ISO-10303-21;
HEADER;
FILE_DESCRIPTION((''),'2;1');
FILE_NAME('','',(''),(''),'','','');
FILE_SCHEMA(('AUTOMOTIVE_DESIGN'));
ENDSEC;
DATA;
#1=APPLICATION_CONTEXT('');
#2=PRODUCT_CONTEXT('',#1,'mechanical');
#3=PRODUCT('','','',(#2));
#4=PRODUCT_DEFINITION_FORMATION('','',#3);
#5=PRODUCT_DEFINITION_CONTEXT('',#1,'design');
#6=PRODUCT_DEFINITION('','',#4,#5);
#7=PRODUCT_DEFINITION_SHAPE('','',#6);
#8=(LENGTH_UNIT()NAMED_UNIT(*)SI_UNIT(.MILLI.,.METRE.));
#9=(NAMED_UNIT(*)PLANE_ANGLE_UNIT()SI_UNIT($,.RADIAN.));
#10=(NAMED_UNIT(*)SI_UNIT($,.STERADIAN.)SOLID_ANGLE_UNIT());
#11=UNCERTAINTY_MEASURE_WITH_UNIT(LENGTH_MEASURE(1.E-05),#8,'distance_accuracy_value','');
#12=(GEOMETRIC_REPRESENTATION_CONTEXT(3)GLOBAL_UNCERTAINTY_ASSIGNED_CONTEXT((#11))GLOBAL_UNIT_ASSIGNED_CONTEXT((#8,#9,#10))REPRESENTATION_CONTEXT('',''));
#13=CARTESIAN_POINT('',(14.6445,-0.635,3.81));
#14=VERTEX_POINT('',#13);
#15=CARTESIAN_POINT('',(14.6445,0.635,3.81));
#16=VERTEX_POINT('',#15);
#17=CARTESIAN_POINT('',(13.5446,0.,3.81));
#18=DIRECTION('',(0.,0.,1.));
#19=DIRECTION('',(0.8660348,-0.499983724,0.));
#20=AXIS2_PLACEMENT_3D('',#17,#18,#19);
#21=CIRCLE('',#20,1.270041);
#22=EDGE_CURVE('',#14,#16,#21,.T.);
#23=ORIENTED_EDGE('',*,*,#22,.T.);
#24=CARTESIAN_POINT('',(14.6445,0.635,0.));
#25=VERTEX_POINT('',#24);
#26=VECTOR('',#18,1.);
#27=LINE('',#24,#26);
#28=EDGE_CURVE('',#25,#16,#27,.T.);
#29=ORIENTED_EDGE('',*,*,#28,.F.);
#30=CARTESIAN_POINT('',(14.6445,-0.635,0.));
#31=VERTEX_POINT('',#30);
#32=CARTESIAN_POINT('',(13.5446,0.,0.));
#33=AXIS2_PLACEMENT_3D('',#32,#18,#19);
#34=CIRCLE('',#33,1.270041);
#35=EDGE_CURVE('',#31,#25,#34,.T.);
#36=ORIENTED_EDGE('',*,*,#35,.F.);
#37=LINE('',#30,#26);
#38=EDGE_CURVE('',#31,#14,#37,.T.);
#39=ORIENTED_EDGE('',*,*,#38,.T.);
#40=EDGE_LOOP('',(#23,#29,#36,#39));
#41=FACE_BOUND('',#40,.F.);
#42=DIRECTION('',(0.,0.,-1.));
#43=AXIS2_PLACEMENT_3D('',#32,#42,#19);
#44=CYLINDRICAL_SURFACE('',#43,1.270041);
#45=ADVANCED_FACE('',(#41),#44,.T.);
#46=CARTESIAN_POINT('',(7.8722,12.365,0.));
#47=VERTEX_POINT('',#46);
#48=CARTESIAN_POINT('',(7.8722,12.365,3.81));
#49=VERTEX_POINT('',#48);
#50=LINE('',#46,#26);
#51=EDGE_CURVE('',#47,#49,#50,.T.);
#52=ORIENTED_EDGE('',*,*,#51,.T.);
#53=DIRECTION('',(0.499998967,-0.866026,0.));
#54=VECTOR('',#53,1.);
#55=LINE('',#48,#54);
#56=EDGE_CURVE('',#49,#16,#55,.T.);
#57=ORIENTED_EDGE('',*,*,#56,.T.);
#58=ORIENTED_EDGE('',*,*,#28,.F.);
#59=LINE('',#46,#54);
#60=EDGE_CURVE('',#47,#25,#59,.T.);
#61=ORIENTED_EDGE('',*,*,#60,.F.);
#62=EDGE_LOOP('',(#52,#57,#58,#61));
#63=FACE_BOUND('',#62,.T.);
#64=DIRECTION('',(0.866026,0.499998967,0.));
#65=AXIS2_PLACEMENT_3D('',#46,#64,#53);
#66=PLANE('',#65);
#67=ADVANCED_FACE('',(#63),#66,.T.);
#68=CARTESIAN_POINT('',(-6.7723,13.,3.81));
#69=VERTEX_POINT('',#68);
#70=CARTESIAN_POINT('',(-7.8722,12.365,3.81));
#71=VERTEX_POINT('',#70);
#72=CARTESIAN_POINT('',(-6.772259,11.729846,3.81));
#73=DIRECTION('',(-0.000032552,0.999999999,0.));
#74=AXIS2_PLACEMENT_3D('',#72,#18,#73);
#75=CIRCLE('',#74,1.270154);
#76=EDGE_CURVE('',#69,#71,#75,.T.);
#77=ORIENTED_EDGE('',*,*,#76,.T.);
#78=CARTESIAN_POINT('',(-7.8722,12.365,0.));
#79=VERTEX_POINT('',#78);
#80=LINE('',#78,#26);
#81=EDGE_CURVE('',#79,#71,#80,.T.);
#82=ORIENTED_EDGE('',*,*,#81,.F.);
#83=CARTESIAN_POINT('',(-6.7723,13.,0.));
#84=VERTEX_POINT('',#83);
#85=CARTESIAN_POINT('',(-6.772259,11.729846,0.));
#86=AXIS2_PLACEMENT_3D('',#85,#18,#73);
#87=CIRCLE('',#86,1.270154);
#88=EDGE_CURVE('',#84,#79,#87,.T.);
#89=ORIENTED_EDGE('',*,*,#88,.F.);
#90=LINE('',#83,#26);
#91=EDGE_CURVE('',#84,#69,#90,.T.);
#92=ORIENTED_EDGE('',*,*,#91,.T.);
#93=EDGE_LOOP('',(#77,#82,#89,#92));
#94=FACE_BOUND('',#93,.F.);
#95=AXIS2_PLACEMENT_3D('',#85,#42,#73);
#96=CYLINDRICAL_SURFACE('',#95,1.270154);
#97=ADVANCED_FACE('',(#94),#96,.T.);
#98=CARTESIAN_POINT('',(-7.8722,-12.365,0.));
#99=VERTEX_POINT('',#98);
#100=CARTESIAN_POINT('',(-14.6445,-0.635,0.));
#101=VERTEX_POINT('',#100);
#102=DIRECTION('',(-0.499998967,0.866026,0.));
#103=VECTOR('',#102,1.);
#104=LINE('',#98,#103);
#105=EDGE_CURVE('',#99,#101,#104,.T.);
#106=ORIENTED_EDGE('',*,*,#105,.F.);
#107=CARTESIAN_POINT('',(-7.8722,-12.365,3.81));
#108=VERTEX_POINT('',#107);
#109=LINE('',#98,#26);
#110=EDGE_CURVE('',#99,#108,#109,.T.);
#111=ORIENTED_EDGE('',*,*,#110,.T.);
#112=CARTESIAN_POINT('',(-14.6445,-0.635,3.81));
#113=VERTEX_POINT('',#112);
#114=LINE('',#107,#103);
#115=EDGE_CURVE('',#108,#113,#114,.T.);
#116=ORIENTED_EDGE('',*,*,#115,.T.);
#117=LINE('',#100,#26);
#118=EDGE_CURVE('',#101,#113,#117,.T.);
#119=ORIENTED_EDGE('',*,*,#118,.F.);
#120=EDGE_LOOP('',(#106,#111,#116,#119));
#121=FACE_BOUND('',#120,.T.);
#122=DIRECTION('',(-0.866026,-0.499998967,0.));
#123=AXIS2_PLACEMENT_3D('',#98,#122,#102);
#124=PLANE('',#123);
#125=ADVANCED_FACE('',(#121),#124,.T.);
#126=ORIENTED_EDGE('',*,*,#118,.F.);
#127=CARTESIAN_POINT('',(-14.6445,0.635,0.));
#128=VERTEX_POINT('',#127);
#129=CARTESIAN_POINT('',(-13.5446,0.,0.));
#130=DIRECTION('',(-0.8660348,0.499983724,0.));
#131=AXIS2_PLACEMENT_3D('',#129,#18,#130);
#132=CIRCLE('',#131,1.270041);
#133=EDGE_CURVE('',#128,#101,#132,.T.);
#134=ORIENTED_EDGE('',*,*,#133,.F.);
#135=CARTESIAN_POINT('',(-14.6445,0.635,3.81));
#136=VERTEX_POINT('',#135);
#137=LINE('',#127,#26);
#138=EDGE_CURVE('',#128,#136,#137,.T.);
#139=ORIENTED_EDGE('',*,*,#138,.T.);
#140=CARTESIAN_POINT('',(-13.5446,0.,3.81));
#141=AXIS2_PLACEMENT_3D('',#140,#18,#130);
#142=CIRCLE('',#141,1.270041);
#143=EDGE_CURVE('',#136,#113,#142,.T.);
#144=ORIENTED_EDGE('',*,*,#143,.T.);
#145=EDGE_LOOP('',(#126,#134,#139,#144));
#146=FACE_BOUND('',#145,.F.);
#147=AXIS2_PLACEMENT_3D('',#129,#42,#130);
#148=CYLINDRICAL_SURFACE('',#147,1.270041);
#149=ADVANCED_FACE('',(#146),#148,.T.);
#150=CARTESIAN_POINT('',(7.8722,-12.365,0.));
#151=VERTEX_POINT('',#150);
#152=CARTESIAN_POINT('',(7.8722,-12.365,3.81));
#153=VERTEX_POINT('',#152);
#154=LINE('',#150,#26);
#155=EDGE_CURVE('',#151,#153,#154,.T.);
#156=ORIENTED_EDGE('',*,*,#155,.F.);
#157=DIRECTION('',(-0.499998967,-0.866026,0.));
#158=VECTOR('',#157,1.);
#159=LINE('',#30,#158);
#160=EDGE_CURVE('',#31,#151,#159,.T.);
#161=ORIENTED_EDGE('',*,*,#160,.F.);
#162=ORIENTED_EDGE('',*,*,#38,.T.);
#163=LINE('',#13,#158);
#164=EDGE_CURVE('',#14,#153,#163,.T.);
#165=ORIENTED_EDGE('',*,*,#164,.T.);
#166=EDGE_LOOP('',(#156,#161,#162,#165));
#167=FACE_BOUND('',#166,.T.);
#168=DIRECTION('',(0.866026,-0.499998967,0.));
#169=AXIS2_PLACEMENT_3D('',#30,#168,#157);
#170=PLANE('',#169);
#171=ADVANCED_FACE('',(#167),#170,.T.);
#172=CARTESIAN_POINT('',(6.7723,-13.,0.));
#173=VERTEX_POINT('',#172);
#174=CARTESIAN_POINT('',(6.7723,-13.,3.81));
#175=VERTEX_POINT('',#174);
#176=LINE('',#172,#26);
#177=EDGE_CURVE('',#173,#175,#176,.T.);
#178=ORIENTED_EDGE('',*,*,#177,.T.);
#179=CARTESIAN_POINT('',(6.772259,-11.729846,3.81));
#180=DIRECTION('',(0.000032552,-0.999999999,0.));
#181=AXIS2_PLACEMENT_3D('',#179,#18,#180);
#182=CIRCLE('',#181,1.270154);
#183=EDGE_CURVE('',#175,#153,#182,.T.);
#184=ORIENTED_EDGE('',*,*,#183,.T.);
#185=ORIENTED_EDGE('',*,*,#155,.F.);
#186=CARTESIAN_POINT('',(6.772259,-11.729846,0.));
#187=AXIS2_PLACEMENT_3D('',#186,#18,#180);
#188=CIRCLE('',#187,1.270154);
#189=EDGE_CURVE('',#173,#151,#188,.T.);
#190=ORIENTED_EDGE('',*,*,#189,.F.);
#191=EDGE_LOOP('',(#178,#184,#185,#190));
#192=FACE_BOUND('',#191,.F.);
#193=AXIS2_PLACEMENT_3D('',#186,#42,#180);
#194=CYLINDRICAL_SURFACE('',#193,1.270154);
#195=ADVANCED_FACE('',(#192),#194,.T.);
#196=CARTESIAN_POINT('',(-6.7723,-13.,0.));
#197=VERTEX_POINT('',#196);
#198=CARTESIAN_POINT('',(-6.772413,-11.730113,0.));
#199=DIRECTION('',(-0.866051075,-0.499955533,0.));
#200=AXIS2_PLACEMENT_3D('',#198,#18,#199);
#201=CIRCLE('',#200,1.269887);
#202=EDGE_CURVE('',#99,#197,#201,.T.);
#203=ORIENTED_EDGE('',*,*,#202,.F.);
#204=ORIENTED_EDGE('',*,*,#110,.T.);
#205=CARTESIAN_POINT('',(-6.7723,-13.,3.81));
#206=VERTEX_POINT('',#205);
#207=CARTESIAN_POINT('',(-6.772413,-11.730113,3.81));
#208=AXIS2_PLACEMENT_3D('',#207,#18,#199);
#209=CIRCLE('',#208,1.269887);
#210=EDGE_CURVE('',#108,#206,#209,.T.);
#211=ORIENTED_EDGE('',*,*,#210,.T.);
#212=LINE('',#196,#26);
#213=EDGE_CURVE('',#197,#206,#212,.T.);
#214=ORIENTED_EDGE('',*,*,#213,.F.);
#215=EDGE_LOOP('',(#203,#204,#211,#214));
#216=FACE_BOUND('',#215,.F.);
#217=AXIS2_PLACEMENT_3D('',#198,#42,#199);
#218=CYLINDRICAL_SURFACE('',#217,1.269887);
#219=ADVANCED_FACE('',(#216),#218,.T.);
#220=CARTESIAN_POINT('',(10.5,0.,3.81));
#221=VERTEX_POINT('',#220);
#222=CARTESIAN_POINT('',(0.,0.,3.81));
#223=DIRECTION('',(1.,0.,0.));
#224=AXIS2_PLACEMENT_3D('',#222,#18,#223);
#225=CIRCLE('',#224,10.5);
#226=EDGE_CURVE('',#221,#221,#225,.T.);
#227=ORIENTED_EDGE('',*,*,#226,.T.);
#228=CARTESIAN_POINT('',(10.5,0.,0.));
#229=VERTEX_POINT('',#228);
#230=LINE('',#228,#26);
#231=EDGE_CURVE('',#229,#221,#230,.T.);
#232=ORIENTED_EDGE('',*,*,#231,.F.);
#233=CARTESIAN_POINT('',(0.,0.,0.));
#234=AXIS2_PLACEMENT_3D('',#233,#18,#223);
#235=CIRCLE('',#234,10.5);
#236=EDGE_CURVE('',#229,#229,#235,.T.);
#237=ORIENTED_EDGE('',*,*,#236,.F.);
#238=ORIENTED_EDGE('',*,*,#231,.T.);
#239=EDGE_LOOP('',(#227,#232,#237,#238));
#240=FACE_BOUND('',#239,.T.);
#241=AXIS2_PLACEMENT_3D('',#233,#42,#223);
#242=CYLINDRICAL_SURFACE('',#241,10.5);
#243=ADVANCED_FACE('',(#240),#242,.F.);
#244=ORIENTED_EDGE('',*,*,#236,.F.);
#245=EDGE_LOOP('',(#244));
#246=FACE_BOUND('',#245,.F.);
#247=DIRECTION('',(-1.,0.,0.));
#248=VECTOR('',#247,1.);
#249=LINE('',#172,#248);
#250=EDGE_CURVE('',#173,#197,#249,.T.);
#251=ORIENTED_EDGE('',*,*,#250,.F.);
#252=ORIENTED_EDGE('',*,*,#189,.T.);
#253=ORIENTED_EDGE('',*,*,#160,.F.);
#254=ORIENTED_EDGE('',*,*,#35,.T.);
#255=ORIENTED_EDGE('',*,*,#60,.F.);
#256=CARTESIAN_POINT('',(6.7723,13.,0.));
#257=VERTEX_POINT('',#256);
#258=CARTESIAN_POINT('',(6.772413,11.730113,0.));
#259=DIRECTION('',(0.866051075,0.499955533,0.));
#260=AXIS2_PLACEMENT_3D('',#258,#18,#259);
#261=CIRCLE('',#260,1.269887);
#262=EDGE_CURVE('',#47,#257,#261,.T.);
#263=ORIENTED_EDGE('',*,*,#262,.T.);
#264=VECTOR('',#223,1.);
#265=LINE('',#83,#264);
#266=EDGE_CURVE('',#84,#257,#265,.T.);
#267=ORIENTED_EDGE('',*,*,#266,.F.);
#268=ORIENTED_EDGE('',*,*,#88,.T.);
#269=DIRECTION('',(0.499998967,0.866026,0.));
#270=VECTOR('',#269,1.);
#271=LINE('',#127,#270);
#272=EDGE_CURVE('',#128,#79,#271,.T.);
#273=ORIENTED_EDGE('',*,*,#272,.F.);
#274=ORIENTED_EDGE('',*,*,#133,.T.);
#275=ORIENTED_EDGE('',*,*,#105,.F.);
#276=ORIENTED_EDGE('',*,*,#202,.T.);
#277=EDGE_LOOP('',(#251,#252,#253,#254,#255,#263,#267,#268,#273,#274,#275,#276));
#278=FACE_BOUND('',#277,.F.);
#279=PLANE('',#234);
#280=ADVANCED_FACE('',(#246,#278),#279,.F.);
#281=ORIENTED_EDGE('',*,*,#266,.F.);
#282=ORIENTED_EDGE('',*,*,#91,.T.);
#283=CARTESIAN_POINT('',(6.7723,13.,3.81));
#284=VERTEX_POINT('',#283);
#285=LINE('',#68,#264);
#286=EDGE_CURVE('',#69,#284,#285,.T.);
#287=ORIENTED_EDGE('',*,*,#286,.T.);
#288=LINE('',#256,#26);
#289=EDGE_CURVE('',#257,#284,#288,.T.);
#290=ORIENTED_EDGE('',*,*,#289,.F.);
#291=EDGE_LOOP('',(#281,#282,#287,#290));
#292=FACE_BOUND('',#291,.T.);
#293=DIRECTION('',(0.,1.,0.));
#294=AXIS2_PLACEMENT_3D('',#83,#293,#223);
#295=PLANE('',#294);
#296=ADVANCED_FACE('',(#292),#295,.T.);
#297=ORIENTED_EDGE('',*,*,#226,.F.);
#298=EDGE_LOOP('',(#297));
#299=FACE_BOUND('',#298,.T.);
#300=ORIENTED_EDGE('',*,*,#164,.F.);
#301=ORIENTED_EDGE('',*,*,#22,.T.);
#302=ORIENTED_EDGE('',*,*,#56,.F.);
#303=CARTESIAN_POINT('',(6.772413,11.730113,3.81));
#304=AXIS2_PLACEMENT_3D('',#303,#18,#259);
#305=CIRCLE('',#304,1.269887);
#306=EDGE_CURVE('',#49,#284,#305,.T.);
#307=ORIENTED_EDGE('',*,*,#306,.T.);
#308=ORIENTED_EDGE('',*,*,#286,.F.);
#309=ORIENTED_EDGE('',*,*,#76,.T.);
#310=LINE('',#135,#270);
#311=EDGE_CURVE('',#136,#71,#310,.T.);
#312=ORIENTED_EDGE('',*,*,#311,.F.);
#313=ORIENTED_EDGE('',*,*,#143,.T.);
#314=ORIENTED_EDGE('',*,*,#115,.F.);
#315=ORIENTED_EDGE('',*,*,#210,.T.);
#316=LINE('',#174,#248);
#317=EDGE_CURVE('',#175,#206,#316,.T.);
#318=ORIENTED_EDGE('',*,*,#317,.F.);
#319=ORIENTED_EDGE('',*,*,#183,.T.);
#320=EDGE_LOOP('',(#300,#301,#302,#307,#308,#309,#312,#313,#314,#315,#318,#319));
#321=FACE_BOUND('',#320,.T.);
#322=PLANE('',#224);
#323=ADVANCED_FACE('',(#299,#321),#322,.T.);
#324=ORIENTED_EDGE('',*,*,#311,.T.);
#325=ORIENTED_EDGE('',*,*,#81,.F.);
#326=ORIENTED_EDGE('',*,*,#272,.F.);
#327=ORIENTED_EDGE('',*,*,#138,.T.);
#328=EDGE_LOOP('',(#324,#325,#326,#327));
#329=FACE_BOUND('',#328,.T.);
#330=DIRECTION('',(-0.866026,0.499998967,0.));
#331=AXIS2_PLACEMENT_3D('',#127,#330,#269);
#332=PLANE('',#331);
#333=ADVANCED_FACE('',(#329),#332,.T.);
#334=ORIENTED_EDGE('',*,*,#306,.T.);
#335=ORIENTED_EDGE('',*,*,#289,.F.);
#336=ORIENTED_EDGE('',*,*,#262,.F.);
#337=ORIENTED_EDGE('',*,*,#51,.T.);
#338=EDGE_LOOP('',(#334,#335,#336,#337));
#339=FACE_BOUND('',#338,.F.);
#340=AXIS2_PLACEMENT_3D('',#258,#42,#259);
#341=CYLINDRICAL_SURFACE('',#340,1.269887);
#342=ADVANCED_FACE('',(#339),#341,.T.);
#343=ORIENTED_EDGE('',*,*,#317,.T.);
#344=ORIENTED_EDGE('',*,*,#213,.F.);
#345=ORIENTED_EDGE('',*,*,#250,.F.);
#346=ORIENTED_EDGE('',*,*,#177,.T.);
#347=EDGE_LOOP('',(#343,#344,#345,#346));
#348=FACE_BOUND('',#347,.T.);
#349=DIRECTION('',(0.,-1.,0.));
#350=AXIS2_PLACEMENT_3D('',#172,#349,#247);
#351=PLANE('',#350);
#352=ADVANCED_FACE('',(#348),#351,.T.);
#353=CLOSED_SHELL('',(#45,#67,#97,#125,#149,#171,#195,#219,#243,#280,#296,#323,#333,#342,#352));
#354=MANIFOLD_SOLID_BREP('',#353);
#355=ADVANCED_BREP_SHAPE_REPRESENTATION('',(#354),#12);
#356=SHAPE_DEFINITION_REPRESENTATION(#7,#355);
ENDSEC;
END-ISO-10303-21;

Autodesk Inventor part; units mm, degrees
ref_plane "YZ Plane" through (0, 0, 0) normal (1, 0, 0) x (0, 1, 0)
ref_plane "XZ Plane" through (0, 0, 0) normal (0, 1, 0) x (-1, 0, 0)
ref_plane "XY Plane" through (0, 0, 0) normal (0, 0, 1) x (1, 0, 0)
sketch "Sketch1" plane through (0, 0, 0) normal (0, 0, 1) x (1, 0, 0)
  circle A0 centre (0, 0) radius 10.5
  circle A1 centre (0, 0) radius 13 construction
  line L0 (7.8722, 12.365) -> (14.6445, 0.635)
  line L1 (14.6445, -0.635) -> (7.8722, -12.365)
  line L2 (6.7723, -13) -> (-6.7723, -13)
  line L3 (-7.8722, -12.365) -> (-14.6445, -0.635)
  line L4 (-14.6445, 0.635) -> (-7.8722, 12.365)
  line L5 (-6.7723, 13) -> (6.7723, 13)
  arc A2 (-6.7723, 13) -> (-7.8722, 12.365) centre (-6.7723, 11.73) ccw
  arc A3 (-14.6445, 0.635) -> (-14.6445, -0.635) centre (-13.5446, 0) ccw
  arc A4 (-7.8722, -12.365) -> (-6.7723, -13) centre (-6.7723, -11.73) ccw
  arc A5 (6.7723, -13) -> (7.8722, -12.365) centre (6.7723, -11.73) ccw
  arc A6 (14.6445, -0.635) -> (14.6445, 0.635) centre (13.5446, 0) ccw
  arc A7 (7.8722, 12.365) -> (6.7723, 13) centre (6.7723, 11.73) ccw
  point P0 (0, 13)
  point P1 (7.5056, 13)
  point P2 (15.0111, 0)
  point P3 (7.5056, -13)
  point P4 (-7.5056, -13)
  point P5 (-15.0111, 0)
  point P6 (-7.5056, 13)
  dimension "d1" = 26
  dimension "d0" = 21
  dimension "d2" = 1.27
extrude "Extrusion1" add sketch "Sketch1" along normal blind 3.81
properties part number "connector_nut" material "Lead"
